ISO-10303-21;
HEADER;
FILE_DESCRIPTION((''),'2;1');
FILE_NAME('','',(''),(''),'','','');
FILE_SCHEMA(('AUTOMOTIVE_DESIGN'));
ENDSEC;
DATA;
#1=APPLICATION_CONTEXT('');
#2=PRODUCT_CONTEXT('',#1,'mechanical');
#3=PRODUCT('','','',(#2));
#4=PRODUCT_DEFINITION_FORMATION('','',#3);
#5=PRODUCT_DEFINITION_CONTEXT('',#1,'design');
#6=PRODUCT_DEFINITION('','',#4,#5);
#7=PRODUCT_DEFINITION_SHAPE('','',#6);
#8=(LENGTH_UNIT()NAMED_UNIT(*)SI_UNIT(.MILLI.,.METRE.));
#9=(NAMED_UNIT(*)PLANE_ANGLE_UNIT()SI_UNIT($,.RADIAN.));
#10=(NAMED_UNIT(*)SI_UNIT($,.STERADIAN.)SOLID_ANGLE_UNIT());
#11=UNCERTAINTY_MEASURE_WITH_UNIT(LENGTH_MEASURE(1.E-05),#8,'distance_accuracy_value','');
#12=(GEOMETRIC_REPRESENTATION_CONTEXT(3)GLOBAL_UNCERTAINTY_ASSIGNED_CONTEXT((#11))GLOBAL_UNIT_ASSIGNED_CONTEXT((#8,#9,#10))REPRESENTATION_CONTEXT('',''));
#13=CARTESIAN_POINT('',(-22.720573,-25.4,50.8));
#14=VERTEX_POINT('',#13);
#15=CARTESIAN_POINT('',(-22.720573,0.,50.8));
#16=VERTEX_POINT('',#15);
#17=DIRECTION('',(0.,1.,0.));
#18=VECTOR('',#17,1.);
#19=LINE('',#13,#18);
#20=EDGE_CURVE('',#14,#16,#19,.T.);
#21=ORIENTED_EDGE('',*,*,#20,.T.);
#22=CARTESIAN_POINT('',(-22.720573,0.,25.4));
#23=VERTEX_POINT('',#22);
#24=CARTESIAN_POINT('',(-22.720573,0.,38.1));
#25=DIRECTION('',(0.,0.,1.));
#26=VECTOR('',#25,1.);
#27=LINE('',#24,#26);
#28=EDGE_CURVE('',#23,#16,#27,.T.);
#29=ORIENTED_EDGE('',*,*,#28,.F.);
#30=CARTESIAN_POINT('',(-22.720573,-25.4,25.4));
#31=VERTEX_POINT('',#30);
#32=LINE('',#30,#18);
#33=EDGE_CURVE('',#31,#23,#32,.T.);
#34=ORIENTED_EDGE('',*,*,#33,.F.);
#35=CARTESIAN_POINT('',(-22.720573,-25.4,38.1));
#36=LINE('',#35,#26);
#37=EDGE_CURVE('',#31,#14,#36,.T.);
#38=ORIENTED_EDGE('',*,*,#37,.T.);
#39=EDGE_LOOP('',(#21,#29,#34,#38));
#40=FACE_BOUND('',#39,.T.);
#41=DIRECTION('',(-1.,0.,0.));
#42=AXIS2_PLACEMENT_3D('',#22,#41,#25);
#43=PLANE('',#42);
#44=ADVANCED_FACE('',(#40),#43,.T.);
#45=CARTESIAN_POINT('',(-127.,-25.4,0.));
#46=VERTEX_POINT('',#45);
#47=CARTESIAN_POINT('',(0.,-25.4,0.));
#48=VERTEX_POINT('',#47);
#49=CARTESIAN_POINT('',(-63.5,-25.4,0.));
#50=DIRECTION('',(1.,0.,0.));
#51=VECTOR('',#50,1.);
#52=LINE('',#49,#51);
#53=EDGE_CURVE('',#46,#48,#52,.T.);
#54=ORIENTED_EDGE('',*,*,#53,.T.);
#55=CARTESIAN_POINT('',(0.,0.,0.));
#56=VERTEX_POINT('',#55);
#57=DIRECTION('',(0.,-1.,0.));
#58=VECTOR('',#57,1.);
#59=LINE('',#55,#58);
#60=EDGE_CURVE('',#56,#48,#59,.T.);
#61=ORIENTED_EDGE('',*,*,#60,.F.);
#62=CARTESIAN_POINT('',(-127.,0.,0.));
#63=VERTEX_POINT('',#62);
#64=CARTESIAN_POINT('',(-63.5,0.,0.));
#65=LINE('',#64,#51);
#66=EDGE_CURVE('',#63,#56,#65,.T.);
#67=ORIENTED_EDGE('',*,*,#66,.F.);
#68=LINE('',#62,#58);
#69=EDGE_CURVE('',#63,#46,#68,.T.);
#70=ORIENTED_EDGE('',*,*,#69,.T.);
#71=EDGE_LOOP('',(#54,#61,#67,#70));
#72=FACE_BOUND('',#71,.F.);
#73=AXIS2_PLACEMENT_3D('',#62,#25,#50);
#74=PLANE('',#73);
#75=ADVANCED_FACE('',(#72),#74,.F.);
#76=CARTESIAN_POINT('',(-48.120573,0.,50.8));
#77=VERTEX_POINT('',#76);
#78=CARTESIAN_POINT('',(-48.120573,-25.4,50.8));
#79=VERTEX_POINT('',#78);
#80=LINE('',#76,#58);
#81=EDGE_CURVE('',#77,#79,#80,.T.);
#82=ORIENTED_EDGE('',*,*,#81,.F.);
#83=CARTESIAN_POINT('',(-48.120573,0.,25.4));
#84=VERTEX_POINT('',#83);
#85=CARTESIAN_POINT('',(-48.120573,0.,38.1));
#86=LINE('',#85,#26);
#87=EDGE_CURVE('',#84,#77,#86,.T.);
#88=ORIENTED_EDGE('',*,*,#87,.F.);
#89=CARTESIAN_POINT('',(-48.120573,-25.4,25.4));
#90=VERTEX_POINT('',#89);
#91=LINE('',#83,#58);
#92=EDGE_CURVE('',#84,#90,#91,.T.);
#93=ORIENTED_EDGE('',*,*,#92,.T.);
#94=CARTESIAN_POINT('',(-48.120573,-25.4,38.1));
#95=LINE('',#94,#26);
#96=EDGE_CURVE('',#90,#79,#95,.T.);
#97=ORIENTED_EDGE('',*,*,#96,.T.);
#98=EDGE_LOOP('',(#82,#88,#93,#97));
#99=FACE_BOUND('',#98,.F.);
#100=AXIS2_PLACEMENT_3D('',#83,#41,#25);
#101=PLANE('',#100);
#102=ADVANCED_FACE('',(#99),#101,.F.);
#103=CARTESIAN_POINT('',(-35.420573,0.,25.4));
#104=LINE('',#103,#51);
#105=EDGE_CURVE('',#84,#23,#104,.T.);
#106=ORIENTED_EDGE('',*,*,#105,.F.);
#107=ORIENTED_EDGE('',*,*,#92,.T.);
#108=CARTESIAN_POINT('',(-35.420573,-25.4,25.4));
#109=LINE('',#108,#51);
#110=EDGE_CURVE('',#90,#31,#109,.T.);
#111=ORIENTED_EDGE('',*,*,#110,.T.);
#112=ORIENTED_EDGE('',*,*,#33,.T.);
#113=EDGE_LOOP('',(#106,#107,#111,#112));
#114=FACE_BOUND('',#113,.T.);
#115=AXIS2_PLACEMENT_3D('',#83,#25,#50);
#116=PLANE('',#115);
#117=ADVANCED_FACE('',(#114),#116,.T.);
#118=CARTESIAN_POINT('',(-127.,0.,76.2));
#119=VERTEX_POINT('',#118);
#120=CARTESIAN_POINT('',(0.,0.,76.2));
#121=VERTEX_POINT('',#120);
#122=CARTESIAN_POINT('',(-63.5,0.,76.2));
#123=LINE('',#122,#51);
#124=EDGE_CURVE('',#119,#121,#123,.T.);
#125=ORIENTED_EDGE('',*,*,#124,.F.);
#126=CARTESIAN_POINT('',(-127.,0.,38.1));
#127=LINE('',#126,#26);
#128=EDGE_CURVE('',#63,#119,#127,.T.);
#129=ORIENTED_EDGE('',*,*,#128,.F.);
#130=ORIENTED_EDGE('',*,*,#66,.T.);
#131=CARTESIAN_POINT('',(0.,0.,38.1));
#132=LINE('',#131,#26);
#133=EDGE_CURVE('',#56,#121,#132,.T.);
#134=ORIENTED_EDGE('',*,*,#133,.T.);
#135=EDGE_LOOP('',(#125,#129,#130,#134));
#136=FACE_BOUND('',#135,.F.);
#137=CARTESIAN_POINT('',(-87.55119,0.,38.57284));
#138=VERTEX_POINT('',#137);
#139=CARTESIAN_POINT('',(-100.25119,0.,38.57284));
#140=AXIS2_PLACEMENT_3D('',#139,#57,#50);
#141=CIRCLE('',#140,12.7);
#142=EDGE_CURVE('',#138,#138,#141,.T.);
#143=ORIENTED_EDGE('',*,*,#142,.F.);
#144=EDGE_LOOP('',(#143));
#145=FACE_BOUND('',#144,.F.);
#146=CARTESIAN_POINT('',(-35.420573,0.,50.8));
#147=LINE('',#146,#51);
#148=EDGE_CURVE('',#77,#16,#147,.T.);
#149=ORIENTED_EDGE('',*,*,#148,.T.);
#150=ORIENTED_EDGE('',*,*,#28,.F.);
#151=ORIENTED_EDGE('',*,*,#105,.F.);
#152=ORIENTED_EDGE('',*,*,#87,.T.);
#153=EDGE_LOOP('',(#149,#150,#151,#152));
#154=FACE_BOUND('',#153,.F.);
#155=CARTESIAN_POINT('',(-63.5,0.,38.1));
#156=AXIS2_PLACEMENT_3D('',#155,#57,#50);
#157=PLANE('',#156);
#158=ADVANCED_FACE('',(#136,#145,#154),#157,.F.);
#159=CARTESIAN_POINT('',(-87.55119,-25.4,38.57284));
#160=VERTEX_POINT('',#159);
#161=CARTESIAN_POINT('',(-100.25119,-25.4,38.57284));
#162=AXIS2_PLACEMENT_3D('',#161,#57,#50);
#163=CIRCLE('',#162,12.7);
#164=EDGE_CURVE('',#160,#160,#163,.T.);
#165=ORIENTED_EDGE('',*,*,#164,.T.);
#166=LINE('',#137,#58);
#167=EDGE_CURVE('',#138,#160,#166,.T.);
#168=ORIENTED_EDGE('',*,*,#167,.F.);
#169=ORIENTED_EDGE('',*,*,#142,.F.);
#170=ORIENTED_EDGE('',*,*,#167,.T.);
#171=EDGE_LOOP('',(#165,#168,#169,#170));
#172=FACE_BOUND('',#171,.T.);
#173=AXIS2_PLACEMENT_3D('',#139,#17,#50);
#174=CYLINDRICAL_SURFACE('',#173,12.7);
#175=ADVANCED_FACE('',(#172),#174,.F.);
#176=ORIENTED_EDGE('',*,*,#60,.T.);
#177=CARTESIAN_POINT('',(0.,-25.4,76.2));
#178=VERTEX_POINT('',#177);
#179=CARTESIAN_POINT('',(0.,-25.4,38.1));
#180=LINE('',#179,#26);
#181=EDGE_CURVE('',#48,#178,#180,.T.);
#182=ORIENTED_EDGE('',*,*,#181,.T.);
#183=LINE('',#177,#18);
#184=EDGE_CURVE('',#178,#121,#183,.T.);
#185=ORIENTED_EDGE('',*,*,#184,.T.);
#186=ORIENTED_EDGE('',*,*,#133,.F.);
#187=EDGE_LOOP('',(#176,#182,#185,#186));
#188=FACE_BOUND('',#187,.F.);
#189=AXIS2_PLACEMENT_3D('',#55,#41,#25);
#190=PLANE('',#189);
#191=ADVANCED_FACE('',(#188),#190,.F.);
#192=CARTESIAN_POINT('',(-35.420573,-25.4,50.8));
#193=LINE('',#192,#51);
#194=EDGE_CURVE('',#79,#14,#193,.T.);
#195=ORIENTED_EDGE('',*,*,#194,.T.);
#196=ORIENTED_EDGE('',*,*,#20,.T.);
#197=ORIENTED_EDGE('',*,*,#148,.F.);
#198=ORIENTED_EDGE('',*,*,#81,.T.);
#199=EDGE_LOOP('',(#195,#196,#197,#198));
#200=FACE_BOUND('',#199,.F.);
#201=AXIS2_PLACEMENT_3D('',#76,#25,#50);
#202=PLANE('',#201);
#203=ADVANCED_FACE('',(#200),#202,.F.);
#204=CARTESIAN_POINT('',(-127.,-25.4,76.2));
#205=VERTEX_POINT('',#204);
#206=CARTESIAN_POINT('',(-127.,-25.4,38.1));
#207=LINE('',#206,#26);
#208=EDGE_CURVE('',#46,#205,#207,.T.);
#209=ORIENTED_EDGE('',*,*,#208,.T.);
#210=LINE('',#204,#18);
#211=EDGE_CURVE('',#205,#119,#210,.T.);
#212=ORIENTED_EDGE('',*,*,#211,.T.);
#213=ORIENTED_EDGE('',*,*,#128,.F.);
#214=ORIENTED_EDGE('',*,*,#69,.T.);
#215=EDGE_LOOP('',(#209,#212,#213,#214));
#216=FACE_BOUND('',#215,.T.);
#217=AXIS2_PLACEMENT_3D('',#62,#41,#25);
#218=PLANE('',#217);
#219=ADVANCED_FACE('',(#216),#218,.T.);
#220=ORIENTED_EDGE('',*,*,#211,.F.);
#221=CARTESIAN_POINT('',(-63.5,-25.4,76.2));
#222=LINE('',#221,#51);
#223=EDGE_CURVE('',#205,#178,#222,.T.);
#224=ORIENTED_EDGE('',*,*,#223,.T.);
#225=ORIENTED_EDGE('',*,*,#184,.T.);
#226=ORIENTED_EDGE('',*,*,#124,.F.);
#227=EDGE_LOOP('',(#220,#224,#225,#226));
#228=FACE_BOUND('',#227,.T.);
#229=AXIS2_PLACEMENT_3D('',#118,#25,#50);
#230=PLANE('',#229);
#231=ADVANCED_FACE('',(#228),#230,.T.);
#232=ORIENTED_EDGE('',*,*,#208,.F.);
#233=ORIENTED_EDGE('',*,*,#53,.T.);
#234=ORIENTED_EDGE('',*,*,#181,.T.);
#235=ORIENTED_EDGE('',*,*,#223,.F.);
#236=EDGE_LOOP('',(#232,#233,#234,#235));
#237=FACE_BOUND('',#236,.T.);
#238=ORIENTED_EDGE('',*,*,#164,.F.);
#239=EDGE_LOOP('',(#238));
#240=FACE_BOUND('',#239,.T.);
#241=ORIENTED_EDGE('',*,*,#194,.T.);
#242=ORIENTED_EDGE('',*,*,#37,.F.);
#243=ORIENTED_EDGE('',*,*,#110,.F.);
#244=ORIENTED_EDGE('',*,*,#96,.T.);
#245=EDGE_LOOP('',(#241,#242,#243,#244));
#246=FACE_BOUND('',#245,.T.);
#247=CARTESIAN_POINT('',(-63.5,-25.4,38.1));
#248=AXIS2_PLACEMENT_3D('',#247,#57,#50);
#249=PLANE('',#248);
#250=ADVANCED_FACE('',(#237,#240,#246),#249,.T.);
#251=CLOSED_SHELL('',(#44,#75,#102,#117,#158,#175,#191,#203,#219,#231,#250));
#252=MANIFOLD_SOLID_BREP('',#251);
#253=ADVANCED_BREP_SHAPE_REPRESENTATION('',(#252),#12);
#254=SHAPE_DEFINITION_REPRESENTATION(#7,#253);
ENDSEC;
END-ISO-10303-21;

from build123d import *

# Parameters (mm, degrees)
F0_W     = 127
F0_H     = 76.2
F0_W_2   = 25.4
F0_H_2   = 25.4
F0_R     = 12.7
F1_DEPTH = 25.4
F2_DEPTH = 19.05


with BuildPart() as f1:
    # F0 (on Front) → F1 (new body)
    with BuildSketch(Plane.XZ):
        with Locations((-63.5, 38.1)):
            Rectangle(F0_W, F0_H)
        with Locations((-35.420573, 38.1)):
            Rectangle(F0_W_2, F0_H_2, mode=Mode.SUBTRACT)
        with Locations((-100.25119, 38.57284)):
            Circle(F0_R, mode=Mode.SUBTRACT)
    extrude(amount=F1_DEPTH)

    # F0 (on Front) → F2 (join)
    with BuildSketch(Plane.XZ):
        with Locations((-63.5, 38.1)):
            Rectangle(F0_W, F0_H)
        with Locations((-35.420573, 38.1)):
            Rectangle(F0_W_2, F0_H_2, mode=Mode.SUBTRACT)
        with Locations((-100.25119, 38.57284)):
            Circle(F0_R, mode=Mode.SUBTRACT)
    extrude(amount=F2_DEPTH)


solid = f1.part
